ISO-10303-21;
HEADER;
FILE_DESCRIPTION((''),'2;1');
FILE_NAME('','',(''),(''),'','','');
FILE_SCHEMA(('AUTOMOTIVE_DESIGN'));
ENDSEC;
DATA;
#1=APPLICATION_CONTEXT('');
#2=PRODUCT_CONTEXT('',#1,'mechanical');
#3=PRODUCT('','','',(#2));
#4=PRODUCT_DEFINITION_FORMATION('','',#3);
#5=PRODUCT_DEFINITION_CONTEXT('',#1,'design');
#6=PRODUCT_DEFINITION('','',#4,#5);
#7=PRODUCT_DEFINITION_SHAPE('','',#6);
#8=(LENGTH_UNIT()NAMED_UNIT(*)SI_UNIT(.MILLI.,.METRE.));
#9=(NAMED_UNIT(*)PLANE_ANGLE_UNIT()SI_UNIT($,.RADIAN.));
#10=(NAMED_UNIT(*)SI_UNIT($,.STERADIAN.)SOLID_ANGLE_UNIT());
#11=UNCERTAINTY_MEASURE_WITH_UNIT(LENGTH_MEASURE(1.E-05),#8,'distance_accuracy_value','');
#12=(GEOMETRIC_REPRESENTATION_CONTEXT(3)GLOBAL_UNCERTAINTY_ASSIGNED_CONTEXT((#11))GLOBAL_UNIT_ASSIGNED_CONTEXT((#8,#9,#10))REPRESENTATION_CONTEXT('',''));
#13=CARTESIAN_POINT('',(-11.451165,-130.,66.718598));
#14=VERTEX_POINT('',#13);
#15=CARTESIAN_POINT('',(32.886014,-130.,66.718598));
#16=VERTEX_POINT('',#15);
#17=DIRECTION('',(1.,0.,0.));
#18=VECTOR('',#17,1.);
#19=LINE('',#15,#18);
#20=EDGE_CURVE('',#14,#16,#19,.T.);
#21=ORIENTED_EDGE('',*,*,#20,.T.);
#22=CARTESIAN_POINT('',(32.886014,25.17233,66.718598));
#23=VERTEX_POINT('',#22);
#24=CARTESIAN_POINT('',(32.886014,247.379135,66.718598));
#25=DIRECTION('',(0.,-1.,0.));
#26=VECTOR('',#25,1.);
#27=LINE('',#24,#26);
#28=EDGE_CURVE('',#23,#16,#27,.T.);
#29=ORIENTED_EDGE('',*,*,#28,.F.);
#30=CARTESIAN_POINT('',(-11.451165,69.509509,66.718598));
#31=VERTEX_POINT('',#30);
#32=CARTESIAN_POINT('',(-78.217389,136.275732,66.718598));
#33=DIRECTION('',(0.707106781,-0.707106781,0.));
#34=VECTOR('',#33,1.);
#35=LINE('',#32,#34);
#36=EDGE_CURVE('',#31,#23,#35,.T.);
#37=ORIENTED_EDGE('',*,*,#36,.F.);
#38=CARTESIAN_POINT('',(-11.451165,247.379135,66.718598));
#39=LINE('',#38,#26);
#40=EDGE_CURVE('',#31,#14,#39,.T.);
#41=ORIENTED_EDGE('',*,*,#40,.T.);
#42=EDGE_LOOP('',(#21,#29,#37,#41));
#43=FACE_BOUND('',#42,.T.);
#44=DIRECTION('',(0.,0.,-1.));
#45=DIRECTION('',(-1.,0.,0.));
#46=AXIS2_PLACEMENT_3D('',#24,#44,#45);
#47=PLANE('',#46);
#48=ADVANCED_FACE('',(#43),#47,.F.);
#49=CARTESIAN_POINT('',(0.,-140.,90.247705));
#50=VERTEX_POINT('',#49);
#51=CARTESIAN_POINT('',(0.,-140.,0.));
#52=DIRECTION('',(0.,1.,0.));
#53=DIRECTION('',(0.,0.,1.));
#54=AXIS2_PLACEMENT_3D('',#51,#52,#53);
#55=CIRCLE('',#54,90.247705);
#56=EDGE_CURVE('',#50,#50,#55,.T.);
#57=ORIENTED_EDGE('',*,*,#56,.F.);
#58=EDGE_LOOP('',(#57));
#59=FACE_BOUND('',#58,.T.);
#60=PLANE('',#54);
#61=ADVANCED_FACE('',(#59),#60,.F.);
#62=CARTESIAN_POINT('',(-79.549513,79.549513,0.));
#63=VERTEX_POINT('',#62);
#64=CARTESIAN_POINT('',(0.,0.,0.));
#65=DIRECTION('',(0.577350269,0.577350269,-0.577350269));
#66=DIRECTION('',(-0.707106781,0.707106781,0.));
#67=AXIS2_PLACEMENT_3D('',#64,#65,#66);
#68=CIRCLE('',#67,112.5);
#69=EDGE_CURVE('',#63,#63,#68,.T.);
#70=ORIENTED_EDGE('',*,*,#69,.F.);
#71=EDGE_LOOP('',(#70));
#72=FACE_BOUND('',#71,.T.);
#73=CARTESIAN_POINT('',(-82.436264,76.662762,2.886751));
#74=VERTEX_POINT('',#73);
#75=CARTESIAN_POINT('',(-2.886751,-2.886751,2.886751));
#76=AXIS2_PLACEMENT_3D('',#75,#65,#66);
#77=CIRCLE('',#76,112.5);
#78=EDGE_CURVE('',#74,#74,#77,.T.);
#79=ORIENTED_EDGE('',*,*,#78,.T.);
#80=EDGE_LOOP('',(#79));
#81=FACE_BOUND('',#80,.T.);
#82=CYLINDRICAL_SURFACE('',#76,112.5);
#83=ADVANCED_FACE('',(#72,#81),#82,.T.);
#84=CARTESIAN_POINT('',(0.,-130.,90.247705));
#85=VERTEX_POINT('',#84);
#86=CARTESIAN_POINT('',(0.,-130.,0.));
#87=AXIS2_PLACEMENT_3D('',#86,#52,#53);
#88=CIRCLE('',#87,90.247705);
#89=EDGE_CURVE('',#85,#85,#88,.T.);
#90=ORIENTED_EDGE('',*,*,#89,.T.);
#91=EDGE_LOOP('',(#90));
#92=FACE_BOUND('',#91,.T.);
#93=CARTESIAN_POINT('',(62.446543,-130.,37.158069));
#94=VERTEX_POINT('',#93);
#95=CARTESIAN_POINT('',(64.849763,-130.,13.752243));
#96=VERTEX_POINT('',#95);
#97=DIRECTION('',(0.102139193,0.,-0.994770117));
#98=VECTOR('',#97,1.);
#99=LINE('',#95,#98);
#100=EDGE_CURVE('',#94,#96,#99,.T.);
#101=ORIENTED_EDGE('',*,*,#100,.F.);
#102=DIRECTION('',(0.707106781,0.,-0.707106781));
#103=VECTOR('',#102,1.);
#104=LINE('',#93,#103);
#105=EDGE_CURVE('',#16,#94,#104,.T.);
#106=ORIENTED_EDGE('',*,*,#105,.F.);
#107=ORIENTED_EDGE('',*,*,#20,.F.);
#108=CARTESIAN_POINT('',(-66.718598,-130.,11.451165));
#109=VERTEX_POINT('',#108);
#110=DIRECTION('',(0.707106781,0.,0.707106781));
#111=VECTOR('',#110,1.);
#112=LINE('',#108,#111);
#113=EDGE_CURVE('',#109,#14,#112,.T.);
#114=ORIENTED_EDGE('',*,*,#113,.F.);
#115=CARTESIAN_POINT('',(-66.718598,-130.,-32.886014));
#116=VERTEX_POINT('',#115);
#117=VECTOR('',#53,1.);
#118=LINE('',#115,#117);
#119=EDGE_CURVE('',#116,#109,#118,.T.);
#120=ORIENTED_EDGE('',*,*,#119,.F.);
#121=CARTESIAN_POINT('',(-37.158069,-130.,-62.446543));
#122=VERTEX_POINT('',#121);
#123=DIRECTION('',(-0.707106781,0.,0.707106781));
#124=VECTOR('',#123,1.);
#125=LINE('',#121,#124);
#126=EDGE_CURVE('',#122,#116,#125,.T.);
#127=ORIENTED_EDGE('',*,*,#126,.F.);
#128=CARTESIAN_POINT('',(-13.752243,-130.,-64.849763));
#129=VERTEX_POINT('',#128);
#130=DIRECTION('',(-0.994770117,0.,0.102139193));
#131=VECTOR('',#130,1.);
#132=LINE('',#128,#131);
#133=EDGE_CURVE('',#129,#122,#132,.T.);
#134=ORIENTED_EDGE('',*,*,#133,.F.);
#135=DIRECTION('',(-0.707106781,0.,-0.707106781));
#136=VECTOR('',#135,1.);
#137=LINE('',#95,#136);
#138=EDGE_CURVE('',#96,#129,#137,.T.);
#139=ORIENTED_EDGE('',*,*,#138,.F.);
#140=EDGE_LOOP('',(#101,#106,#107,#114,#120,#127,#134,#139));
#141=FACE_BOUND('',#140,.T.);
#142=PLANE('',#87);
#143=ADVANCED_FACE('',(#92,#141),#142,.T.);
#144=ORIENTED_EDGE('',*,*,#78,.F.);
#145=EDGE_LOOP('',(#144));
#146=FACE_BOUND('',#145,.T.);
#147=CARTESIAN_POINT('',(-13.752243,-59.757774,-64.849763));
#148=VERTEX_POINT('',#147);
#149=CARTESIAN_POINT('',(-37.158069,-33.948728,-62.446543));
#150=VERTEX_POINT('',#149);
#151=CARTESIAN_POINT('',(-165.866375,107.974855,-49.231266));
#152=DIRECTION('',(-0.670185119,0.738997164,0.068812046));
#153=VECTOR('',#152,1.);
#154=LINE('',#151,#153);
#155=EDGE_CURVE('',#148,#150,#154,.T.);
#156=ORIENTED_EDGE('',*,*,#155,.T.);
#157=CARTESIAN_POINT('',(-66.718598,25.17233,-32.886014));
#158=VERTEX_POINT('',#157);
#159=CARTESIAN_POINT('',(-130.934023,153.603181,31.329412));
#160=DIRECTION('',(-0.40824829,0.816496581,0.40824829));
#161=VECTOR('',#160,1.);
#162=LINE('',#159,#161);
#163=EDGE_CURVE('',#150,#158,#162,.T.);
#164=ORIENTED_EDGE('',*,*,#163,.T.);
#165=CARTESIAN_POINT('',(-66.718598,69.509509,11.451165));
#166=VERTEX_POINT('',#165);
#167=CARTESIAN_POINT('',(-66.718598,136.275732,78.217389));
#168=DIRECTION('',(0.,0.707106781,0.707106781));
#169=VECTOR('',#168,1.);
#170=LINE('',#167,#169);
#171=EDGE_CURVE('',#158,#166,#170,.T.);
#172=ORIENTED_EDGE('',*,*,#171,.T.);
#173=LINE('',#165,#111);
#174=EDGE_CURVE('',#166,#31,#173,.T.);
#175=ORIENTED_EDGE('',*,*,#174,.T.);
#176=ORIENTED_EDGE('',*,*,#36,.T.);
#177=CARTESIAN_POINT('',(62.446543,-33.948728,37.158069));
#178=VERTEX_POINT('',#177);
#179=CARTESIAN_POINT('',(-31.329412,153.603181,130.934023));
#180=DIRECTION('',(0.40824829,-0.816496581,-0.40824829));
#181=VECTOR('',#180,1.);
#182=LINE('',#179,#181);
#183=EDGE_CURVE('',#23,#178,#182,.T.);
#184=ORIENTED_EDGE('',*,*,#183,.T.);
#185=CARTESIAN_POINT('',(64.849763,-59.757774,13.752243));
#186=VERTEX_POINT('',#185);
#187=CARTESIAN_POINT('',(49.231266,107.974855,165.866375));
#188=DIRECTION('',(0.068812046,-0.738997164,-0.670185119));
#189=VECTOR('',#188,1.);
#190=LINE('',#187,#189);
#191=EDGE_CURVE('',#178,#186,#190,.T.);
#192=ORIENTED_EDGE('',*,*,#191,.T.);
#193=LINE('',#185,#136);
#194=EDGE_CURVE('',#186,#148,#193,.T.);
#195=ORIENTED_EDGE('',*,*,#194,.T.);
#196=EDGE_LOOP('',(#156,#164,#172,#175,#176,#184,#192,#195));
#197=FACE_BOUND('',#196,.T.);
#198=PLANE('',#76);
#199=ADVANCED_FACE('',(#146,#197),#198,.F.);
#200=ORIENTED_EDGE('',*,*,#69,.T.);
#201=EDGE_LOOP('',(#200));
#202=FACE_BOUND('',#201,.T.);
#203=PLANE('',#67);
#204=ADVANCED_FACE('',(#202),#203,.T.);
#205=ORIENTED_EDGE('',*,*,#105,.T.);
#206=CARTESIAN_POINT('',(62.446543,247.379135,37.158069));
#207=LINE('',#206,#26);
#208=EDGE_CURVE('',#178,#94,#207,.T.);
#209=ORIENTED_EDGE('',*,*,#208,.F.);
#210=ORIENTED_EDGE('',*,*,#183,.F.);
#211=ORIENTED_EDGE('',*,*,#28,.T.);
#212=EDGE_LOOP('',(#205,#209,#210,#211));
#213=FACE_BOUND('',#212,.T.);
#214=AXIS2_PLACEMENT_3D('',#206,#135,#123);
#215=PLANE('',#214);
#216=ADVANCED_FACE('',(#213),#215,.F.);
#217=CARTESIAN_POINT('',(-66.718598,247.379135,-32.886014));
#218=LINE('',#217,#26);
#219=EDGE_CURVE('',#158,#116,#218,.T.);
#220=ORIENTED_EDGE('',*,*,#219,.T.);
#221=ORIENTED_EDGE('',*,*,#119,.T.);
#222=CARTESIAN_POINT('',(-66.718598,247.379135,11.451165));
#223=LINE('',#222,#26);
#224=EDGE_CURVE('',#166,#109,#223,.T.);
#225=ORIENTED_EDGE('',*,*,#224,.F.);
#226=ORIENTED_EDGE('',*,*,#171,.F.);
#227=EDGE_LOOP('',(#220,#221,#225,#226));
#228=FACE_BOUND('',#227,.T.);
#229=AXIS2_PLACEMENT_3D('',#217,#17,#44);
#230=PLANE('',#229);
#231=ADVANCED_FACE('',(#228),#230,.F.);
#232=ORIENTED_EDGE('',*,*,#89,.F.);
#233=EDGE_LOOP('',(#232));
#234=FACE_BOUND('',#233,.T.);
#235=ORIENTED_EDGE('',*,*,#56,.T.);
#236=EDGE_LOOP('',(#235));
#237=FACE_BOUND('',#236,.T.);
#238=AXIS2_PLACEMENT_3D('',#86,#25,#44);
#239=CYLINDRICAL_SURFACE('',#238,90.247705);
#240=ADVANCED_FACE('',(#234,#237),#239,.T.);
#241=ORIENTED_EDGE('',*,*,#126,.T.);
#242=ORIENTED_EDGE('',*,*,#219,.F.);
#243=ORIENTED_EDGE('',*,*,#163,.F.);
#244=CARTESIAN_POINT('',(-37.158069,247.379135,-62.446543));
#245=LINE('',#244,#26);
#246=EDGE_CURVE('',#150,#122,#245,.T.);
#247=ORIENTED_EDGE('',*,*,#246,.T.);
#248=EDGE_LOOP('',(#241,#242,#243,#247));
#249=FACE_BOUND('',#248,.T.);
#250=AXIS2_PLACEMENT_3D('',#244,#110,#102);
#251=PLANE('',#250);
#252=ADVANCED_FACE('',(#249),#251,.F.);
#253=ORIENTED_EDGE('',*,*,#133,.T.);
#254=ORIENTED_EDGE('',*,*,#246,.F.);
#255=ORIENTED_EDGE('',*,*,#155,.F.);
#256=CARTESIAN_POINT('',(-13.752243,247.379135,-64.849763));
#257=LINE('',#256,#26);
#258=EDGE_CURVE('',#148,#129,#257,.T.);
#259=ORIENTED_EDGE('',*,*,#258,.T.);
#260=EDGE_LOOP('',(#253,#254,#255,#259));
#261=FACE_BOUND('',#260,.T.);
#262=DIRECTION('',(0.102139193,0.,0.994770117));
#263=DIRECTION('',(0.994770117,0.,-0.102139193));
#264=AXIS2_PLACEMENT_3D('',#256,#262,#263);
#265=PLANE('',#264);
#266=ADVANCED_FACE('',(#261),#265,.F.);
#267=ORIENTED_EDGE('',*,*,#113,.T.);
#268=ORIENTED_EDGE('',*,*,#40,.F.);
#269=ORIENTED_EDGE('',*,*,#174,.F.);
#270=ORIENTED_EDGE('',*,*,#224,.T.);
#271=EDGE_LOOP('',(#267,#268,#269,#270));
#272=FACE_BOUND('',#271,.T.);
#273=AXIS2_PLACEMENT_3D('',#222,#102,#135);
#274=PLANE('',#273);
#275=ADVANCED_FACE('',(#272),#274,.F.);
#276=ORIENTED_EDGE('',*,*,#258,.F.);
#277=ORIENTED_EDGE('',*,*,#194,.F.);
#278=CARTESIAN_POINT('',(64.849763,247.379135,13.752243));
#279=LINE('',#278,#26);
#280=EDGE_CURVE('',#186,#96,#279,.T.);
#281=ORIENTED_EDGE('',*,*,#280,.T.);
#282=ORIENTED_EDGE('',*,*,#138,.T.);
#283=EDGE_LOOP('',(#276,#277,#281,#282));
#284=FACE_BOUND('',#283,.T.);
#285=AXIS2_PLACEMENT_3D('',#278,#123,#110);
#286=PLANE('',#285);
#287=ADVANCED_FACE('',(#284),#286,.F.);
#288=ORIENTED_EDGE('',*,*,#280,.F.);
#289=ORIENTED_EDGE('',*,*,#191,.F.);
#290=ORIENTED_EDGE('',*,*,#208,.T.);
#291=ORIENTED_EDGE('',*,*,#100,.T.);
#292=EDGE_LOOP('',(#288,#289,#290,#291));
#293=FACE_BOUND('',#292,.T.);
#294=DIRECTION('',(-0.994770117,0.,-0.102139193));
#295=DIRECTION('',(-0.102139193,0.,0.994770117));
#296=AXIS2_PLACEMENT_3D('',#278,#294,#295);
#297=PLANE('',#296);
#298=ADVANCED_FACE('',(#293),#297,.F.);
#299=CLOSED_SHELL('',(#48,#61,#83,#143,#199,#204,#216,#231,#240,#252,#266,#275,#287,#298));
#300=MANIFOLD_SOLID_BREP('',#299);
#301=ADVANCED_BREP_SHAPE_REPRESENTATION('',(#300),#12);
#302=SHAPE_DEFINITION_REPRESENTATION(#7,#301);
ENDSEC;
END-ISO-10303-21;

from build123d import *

# Parameters (mm, degrees)
SKETCH_3_R      = 112.5
EXTRUDE_5_DEPTH = 5
EXTRUDE_1_REACH = 465.242
SKETCH_8_R      = 90.24770546
EXTRUDE_2_DEPTH = 10


with BuildPart() as part:
    # 草图3 → 凸台-拉伸5 (new body)
    with BuildSketch(Plane(origin=(0, 0, 0), x_dir=(-0.4082482904638631, -0.40824829046386274, -0.8164965809277263), z_dir=(0.5773502691896261, 0.5773502691896257, -0.5773502691896256))):
        Circle(SKETCH_3_R)
    extrude(amount=-EXTRUDE_5_DEPTH)

    # 凸台-拉伸1: up to this plane
    extrude_1_end = Plane(origin=(-2.886751346, -2.886751346, 2.886751346), z_dir=(0.5773502691896261, 0.5773502691896257, -0.5773502691896256))
    # 草图5 → 凸台-拉伸1 (add, up to the surface)
    with BuildSketch(Plane(origin=(0, -140, 0), x_dir=(1, 0, 0), z_dir=(0, 1, 0)), mode=Mode.PRIVATE) as extrude_1_sk1:
        Polygon((-37.158068765, 62.446542524), (-66.718597501, 32.886013788), (-66.718597501, -11.451165298), (-11.451165298, -66.718597501), (32.886013788, -66.718597501), (62.446542524, -37.158068765), (64.849763198, -13.752243339), (-13.752243339, 64.849763198), align=None)
    extrude_1_tool1 = split(extrude(extrude_1_sk1.sketch, amount=EXTRUDE_1_REACH, mode=Mode.PRIVATE), bisect_by=extrude_1_end, keep=Keep.BOTH, mode=Mode.PRIVATE)
    add(extrude_1_tool1.solids().sort_by_distance((-5.313204, -140, 5.313204))[0])

    # 草图8 → 凸台-拉伸2 (add)
    with BuildSketch(Plane(origin=(0, -140, 0), x_dir=(1, 0, 0), z_dir=(0, 1, 0))):
        Circle(SKETCH_8_R)
    extrude(amount=EXTRUDE_2_DEPTH)


solid = part.part
